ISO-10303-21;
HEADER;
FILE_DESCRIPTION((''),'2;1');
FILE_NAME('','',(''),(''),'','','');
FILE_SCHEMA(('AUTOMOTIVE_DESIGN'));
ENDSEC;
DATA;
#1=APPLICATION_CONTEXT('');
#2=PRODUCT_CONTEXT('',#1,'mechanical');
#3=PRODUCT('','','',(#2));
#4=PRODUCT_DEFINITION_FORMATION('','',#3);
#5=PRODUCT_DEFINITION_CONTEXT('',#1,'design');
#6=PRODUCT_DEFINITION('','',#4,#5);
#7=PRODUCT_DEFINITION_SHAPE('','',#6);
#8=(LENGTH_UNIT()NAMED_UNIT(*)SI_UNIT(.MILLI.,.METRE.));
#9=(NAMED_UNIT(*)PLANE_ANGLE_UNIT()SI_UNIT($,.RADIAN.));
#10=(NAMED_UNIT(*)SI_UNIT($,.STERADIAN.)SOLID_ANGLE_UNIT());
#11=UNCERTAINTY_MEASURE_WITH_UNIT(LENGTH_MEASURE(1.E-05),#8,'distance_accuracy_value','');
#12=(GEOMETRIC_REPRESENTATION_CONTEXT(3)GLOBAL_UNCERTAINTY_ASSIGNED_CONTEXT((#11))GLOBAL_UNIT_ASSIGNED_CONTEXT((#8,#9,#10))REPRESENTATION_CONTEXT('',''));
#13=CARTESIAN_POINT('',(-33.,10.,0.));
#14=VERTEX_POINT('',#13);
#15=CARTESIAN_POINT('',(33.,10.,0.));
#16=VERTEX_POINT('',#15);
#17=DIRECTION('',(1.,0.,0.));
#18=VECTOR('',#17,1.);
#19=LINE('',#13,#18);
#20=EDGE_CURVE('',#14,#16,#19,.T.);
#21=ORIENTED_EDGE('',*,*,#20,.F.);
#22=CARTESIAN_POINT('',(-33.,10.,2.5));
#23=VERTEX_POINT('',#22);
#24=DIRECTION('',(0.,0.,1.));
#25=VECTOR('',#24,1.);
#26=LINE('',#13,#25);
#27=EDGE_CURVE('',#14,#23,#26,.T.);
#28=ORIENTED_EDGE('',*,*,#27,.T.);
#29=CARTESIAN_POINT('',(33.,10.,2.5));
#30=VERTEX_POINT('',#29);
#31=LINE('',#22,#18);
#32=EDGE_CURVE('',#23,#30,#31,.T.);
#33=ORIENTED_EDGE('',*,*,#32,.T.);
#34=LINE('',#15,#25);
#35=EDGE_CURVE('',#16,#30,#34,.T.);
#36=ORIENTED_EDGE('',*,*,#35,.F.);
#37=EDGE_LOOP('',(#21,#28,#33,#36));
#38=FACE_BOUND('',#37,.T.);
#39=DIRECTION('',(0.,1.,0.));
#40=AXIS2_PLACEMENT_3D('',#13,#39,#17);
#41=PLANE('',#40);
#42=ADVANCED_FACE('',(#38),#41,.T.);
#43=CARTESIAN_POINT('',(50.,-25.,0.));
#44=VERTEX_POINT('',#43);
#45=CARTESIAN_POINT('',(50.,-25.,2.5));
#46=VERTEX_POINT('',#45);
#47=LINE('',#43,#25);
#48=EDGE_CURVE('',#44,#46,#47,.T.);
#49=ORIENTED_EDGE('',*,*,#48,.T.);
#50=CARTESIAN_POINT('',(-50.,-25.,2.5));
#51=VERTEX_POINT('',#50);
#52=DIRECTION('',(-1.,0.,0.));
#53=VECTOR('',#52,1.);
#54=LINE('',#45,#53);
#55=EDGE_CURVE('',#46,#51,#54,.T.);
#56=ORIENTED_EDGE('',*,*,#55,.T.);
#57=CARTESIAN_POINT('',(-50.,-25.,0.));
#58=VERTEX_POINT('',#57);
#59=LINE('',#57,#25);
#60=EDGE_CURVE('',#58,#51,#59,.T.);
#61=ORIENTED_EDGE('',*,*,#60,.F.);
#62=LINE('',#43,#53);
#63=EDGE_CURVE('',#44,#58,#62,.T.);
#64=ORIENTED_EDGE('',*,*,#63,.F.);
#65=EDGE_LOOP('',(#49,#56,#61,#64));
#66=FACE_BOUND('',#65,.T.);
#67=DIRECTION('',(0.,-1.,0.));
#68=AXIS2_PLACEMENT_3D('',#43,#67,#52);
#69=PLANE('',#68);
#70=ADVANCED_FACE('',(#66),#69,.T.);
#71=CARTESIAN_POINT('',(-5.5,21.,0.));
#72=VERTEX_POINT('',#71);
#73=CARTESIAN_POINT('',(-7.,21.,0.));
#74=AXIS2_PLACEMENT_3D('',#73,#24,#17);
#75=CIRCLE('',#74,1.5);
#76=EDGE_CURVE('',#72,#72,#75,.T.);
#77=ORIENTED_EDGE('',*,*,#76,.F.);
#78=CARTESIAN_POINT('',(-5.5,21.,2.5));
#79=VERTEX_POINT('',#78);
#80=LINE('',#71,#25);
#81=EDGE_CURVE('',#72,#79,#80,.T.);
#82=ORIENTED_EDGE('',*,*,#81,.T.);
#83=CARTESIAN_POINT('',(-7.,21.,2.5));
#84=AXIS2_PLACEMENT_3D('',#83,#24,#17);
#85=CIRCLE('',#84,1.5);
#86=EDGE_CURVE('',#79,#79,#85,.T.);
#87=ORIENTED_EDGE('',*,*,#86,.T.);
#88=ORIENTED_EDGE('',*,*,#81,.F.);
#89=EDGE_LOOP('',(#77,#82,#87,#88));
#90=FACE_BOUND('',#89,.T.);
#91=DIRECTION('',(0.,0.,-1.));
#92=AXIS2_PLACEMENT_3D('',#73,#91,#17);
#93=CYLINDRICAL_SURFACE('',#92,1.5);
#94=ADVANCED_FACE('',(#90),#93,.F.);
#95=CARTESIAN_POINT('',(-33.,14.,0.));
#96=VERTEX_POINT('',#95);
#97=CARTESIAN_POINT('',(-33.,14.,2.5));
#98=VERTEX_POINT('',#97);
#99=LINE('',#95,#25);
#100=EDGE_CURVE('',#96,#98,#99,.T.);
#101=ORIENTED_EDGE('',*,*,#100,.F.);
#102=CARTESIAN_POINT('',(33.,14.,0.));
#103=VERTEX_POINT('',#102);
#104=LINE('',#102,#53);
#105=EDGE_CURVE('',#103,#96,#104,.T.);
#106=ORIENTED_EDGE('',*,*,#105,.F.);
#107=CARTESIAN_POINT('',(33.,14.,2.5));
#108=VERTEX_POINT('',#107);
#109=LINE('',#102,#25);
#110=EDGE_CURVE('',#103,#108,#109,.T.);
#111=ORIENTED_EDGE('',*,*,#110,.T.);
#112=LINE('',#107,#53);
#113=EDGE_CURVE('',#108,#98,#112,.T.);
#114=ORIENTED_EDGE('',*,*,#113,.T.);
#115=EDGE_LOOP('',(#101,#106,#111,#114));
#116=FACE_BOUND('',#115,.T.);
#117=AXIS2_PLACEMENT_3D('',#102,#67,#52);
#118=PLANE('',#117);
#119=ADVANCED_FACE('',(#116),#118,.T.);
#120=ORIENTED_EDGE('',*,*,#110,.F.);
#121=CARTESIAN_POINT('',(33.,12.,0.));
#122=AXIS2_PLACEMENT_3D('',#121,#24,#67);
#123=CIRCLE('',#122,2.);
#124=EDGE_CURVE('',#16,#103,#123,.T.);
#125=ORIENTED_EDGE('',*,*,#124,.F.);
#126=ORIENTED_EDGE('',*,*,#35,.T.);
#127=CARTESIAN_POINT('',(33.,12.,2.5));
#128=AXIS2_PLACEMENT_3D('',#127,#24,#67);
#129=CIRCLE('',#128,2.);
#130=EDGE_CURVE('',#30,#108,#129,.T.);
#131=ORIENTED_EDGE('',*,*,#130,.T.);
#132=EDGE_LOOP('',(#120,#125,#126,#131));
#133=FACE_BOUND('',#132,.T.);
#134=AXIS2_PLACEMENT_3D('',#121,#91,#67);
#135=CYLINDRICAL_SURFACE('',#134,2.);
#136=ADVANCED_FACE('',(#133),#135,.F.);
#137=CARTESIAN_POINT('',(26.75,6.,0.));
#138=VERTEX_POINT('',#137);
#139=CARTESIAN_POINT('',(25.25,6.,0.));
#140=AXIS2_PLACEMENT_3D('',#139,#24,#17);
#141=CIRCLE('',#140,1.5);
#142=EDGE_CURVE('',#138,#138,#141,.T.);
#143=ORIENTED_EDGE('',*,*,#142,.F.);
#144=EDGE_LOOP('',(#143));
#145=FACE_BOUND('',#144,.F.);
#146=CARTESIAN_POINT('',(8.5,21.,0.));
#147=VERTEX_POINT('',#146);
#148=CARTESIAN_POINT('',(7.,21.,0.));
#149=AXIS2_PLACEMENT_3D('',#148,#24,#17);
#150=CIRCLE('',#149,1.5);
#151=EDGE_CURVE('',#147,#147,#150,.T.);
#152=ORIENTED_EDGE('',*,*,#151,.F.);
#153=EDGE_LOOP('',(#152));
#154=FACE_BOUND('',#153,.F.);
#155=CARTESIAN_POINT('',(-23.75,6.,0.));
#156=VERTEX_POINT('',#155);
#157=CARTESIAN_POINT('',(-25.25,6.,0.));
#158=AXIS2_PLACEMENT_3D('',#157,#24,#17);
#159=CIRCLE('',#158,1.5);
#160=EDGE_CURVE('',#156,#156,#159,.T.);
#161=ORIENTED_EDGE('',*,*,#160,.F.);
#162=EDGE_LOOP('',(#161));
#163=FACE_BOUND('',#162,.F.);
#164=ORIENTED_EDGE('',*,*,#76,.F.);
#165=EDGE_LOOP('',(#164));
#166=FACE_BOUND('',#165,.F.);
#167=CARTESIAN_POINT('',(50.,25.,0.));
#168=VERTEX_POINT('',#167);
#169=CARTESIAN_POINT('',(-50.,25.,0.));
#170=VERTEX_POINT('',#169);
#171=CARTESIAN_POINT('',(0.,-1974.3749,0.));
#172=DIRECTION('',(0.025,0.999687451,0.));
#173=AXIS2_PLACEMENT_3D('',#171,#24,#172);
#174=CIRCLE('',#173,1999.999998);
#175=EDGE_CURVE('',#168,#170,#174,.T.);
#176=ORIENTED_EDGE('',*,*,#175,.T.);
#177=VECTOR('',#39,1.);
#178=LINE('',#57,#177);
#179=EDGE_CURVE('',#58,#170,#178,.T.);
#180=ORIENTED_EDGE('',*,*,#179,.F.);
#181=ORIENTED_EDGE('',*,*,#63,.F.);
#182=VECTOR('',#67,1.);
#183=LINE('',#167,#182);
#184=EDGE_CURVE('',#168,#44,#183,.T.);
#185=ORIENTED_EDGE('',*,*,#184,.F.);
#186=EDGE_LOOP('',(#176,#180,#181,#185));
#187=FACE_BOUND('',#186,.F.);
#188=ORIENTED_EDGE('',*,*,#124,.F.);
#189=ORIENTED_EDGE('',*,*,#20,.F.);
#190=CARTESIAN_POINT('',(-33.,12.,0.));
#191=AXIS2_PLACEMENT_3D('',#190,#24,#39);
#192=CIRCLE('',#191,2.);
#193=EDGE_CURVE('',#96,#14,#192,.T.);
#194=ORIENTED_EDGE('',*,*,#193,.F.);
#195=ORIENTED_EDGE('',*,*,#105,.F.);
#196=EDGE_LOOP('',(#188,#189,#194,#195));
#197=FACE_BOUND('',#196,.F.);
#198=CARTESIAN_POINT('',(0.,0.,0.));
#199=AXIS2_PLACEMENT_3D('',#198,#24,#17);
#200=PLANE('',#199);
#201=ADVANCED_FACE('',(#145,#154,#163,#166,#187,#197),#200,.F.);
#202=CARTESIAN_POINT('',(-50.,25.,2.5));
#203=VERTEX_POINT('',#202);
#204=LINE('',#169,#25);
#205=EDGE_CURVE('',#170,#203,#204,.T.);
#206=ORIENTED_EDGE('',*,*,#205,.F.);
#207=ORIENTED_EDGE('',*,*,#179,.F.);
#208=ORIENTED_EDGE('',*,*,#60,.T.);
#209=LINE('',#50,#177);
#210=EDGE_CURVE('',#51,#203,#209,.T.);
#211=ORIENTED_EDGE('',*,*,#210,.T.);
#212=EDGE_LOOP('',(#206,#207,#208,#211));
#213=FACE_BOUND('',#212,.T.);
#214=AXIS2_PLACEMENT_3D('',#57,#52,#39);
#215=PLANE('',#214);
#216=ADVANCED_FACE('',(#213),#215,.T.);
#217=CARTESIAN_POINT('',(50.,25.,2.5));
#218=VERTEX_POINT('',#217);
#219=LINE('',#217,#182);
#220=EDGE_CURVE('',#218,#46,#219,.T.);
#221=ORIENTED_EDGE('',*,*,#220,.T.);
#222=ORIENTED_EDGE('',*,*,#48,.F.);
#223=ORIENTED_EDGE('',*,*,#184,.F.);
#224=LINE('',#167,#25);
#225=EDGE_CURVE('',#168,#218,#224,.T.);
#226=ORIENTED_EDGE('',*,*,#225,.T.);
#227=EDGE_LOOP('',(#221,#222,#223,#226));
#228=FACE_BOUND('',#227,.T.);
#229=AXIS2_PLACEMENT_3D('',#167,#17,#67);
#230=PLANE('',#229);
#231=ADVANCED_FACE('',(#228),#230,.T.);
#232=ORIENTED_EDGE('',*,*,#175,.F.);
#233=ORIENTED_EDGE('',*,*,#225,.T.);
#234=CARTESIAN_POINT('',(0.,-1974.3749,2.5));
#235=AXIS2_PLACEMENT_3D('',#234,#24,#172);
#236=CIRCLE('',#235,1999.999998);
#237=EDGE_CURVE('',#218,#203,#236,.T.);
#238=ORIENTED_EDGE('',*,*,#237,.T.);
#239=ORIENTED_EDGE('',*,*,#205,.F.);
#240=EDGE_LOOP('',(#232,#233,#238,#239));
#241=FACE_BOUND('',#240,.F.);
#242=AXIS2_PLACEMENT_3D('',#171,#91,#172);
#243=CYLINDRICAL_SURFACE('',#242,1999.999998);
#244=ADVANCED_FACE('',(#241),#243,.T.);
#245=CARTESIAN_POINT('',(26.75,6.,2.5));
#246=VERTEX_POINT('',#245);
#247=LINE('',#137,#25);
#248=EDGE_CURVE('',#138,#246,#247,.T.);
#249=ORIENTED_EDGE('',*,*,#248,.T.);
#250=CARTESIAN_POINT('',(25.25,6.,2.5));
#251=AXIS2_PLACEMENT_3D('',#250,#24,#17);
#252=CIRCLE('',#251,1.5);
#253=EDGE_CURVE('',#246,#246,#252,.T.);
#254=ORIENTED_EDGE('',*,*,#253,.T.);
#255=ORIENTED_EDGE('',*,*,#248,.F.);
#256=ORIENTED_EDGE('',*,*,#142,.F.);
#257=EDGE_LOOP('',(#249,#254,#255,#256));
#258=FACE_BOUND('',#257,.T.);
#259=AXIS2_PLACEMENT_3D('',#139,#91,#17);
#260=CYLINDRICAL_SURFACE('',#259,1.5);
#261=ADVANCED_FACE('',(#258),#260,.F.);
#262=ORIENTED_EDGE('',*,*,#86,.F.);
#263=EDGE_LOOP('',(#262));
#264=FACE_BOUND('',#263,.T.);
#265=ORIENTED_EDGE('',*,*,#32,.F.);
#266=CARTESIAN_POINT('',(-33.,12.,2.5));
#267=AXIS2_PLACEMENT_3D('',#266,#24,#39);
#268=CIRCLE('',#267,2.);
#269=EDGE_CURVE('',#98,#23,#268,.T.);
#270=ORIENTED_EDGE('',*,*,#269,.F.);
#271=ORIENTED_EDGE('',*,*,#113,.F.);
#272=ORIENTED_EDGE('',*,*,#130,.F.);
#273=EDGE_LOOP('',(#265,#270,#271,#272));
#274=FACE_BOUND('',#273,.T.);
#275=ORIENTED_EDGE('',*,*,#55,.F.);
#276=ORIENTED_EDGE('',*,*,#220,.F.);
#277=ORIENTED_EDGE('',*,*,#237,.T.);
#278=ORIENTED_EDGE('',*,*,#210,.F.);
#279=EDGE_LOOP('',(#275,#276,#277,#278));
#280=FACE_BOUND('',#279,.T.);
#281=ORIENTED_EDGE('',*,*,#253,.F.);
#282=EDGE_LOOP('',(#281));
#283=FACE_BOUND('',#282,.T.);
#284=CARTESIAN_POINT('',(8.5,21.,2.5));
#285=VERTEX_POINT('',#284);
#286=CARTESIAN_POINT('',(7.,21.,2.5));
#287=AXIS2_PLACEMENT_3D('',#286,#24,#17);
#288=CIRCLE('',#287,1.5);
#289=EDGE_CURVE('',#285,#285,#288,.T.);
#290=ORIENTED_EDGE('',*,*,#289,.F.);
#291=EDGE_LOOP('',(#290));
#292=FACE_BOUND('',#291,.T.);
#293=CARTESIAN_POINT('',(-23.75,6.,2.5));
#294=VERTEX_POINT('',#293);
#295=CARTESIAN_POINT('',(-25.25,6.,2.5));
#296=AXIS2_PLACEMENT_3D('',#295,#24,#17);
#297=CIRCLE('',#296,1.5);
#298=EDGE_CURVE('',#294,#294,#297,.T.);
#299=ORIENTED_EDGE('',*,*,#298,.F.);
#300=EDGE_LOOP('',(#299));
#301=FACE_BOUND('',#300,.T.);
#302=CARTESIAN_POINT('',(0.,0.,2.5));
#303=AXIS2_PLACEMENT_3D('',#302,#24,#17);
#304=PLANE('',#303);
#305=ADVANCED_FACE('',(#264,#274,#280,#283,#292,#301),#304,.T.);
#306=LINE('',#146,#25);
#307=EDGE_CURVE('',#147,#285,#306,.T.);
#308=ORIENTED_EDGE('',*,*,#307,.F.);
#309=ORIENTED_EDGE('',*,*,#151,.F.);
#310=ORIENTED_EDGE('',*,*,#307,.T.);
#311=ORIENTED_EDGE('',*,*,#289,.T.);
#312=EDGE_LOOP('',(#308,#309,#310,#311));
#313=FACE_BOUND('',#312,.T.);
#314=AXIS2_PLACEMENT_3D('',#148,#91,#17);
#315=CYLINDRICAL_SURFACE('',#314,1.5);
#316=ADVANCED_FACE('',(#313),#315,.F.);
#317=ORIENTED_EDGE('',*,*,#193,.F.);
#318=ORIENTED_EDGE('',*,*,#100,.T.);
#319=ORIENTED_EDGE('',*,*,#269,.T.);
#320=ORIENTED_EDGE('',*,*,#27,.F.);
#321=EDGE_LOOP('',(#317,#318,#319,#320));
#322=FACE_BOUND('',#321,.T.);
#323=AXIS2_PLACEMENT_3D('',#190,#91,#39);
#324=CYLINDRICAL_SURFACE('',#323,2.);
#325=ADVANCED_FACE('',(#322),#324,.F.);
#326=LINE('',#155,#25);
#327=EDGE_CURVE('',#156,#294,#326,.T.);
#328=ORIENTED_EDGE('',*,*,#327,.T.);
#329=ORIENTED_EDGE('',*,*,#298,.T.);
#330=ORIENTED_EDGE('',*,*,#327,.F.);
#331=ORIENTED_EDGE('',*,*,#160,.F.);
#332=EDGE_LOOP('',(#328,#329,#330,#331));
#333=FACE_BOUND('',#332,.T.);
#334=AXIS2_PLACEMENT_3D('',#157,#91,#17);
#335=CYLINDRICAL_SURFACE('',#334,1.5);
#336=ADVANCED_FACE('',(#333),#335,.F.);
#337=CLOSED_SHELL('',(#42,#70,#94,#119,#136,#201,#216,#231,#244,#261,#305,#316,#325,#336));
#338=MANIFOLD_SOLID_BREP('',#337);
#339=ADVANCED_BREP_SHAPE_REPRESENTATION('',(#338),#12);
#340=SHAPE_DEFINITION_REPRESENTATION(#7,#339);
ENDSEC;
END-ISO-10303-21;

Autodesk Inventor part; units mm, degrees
ref_plane "YZ Plane" through (0, 0, 0) normal (1, 0, 0) x (0, 1, 0)
ref_plane "XZ Plane" through (0, 0, 0) normal (0, 1, 0) x (-1, 0, 0)
ref_plane "XY Plane" through (0, 0, 0) normal (0, 0, 1) x (1, 0, 0)
sketch "Sketch1" plane through (0, 0, 0) normal (0, 0, 1) x (1, 0, 0)
  line L0 (-50, 25) -> (50, 25)
  line L1 (50, 25) -> (50, -25)
  line L2 (50, -25) -> (-50, -25)
  line L3 (-50, -25) -> (-50, 25)
  line L4 (-35, 12) -> (35, 12) construction
  line L5 (-33, 10) -> (33, 10)
  line L6 (33, 14) -> (-33, 14)
  arc A0 (-33, 14) -> (-33, 10) centre (-33, 12) ccw
  arc A1 (33, 10) -> (33, 14) centre (33, 12) ccw
  arc A2 (50, 25) -> (-50, 25) centre (0, -1974.3749) ccw
  circle A3 centre (-25.25, 6) radius 1.5
  circle A4 centre (25.25, 6) radius 1.5
  circle A5 centre (-7, 21) radius 1.5
  circle A6 centre (7, 21) radius 1.5
  line L7 (0, 134.945) -> (0, -92.5364) construction
  point P0 (0, 0)
  point P1 (50, 0)
  point P2 (0, -25)
  point P3 (0, 12)
  point P4 (35, 25.3188)
  point P5 (35, 6)
  dimension "d0" = 50
  dimension "d1" = 100
  dimension "d2" = 4
  dimension "d4" = 66
  dimension "d5" = 2000
  dimension "d6" = 50.5
  dimension "d7" = 3
  dimension "d8" = 14
  dimension "d9" = 9
  dimension "d10" = 4
  dimension "d11" = 6
  dimension "d14" = 13.3188
  dimension "d15" = 19.3188
extrude "Extrusion1" add sketch "Sketch1" along normal blind 2.5
properties part number "platform_part"
